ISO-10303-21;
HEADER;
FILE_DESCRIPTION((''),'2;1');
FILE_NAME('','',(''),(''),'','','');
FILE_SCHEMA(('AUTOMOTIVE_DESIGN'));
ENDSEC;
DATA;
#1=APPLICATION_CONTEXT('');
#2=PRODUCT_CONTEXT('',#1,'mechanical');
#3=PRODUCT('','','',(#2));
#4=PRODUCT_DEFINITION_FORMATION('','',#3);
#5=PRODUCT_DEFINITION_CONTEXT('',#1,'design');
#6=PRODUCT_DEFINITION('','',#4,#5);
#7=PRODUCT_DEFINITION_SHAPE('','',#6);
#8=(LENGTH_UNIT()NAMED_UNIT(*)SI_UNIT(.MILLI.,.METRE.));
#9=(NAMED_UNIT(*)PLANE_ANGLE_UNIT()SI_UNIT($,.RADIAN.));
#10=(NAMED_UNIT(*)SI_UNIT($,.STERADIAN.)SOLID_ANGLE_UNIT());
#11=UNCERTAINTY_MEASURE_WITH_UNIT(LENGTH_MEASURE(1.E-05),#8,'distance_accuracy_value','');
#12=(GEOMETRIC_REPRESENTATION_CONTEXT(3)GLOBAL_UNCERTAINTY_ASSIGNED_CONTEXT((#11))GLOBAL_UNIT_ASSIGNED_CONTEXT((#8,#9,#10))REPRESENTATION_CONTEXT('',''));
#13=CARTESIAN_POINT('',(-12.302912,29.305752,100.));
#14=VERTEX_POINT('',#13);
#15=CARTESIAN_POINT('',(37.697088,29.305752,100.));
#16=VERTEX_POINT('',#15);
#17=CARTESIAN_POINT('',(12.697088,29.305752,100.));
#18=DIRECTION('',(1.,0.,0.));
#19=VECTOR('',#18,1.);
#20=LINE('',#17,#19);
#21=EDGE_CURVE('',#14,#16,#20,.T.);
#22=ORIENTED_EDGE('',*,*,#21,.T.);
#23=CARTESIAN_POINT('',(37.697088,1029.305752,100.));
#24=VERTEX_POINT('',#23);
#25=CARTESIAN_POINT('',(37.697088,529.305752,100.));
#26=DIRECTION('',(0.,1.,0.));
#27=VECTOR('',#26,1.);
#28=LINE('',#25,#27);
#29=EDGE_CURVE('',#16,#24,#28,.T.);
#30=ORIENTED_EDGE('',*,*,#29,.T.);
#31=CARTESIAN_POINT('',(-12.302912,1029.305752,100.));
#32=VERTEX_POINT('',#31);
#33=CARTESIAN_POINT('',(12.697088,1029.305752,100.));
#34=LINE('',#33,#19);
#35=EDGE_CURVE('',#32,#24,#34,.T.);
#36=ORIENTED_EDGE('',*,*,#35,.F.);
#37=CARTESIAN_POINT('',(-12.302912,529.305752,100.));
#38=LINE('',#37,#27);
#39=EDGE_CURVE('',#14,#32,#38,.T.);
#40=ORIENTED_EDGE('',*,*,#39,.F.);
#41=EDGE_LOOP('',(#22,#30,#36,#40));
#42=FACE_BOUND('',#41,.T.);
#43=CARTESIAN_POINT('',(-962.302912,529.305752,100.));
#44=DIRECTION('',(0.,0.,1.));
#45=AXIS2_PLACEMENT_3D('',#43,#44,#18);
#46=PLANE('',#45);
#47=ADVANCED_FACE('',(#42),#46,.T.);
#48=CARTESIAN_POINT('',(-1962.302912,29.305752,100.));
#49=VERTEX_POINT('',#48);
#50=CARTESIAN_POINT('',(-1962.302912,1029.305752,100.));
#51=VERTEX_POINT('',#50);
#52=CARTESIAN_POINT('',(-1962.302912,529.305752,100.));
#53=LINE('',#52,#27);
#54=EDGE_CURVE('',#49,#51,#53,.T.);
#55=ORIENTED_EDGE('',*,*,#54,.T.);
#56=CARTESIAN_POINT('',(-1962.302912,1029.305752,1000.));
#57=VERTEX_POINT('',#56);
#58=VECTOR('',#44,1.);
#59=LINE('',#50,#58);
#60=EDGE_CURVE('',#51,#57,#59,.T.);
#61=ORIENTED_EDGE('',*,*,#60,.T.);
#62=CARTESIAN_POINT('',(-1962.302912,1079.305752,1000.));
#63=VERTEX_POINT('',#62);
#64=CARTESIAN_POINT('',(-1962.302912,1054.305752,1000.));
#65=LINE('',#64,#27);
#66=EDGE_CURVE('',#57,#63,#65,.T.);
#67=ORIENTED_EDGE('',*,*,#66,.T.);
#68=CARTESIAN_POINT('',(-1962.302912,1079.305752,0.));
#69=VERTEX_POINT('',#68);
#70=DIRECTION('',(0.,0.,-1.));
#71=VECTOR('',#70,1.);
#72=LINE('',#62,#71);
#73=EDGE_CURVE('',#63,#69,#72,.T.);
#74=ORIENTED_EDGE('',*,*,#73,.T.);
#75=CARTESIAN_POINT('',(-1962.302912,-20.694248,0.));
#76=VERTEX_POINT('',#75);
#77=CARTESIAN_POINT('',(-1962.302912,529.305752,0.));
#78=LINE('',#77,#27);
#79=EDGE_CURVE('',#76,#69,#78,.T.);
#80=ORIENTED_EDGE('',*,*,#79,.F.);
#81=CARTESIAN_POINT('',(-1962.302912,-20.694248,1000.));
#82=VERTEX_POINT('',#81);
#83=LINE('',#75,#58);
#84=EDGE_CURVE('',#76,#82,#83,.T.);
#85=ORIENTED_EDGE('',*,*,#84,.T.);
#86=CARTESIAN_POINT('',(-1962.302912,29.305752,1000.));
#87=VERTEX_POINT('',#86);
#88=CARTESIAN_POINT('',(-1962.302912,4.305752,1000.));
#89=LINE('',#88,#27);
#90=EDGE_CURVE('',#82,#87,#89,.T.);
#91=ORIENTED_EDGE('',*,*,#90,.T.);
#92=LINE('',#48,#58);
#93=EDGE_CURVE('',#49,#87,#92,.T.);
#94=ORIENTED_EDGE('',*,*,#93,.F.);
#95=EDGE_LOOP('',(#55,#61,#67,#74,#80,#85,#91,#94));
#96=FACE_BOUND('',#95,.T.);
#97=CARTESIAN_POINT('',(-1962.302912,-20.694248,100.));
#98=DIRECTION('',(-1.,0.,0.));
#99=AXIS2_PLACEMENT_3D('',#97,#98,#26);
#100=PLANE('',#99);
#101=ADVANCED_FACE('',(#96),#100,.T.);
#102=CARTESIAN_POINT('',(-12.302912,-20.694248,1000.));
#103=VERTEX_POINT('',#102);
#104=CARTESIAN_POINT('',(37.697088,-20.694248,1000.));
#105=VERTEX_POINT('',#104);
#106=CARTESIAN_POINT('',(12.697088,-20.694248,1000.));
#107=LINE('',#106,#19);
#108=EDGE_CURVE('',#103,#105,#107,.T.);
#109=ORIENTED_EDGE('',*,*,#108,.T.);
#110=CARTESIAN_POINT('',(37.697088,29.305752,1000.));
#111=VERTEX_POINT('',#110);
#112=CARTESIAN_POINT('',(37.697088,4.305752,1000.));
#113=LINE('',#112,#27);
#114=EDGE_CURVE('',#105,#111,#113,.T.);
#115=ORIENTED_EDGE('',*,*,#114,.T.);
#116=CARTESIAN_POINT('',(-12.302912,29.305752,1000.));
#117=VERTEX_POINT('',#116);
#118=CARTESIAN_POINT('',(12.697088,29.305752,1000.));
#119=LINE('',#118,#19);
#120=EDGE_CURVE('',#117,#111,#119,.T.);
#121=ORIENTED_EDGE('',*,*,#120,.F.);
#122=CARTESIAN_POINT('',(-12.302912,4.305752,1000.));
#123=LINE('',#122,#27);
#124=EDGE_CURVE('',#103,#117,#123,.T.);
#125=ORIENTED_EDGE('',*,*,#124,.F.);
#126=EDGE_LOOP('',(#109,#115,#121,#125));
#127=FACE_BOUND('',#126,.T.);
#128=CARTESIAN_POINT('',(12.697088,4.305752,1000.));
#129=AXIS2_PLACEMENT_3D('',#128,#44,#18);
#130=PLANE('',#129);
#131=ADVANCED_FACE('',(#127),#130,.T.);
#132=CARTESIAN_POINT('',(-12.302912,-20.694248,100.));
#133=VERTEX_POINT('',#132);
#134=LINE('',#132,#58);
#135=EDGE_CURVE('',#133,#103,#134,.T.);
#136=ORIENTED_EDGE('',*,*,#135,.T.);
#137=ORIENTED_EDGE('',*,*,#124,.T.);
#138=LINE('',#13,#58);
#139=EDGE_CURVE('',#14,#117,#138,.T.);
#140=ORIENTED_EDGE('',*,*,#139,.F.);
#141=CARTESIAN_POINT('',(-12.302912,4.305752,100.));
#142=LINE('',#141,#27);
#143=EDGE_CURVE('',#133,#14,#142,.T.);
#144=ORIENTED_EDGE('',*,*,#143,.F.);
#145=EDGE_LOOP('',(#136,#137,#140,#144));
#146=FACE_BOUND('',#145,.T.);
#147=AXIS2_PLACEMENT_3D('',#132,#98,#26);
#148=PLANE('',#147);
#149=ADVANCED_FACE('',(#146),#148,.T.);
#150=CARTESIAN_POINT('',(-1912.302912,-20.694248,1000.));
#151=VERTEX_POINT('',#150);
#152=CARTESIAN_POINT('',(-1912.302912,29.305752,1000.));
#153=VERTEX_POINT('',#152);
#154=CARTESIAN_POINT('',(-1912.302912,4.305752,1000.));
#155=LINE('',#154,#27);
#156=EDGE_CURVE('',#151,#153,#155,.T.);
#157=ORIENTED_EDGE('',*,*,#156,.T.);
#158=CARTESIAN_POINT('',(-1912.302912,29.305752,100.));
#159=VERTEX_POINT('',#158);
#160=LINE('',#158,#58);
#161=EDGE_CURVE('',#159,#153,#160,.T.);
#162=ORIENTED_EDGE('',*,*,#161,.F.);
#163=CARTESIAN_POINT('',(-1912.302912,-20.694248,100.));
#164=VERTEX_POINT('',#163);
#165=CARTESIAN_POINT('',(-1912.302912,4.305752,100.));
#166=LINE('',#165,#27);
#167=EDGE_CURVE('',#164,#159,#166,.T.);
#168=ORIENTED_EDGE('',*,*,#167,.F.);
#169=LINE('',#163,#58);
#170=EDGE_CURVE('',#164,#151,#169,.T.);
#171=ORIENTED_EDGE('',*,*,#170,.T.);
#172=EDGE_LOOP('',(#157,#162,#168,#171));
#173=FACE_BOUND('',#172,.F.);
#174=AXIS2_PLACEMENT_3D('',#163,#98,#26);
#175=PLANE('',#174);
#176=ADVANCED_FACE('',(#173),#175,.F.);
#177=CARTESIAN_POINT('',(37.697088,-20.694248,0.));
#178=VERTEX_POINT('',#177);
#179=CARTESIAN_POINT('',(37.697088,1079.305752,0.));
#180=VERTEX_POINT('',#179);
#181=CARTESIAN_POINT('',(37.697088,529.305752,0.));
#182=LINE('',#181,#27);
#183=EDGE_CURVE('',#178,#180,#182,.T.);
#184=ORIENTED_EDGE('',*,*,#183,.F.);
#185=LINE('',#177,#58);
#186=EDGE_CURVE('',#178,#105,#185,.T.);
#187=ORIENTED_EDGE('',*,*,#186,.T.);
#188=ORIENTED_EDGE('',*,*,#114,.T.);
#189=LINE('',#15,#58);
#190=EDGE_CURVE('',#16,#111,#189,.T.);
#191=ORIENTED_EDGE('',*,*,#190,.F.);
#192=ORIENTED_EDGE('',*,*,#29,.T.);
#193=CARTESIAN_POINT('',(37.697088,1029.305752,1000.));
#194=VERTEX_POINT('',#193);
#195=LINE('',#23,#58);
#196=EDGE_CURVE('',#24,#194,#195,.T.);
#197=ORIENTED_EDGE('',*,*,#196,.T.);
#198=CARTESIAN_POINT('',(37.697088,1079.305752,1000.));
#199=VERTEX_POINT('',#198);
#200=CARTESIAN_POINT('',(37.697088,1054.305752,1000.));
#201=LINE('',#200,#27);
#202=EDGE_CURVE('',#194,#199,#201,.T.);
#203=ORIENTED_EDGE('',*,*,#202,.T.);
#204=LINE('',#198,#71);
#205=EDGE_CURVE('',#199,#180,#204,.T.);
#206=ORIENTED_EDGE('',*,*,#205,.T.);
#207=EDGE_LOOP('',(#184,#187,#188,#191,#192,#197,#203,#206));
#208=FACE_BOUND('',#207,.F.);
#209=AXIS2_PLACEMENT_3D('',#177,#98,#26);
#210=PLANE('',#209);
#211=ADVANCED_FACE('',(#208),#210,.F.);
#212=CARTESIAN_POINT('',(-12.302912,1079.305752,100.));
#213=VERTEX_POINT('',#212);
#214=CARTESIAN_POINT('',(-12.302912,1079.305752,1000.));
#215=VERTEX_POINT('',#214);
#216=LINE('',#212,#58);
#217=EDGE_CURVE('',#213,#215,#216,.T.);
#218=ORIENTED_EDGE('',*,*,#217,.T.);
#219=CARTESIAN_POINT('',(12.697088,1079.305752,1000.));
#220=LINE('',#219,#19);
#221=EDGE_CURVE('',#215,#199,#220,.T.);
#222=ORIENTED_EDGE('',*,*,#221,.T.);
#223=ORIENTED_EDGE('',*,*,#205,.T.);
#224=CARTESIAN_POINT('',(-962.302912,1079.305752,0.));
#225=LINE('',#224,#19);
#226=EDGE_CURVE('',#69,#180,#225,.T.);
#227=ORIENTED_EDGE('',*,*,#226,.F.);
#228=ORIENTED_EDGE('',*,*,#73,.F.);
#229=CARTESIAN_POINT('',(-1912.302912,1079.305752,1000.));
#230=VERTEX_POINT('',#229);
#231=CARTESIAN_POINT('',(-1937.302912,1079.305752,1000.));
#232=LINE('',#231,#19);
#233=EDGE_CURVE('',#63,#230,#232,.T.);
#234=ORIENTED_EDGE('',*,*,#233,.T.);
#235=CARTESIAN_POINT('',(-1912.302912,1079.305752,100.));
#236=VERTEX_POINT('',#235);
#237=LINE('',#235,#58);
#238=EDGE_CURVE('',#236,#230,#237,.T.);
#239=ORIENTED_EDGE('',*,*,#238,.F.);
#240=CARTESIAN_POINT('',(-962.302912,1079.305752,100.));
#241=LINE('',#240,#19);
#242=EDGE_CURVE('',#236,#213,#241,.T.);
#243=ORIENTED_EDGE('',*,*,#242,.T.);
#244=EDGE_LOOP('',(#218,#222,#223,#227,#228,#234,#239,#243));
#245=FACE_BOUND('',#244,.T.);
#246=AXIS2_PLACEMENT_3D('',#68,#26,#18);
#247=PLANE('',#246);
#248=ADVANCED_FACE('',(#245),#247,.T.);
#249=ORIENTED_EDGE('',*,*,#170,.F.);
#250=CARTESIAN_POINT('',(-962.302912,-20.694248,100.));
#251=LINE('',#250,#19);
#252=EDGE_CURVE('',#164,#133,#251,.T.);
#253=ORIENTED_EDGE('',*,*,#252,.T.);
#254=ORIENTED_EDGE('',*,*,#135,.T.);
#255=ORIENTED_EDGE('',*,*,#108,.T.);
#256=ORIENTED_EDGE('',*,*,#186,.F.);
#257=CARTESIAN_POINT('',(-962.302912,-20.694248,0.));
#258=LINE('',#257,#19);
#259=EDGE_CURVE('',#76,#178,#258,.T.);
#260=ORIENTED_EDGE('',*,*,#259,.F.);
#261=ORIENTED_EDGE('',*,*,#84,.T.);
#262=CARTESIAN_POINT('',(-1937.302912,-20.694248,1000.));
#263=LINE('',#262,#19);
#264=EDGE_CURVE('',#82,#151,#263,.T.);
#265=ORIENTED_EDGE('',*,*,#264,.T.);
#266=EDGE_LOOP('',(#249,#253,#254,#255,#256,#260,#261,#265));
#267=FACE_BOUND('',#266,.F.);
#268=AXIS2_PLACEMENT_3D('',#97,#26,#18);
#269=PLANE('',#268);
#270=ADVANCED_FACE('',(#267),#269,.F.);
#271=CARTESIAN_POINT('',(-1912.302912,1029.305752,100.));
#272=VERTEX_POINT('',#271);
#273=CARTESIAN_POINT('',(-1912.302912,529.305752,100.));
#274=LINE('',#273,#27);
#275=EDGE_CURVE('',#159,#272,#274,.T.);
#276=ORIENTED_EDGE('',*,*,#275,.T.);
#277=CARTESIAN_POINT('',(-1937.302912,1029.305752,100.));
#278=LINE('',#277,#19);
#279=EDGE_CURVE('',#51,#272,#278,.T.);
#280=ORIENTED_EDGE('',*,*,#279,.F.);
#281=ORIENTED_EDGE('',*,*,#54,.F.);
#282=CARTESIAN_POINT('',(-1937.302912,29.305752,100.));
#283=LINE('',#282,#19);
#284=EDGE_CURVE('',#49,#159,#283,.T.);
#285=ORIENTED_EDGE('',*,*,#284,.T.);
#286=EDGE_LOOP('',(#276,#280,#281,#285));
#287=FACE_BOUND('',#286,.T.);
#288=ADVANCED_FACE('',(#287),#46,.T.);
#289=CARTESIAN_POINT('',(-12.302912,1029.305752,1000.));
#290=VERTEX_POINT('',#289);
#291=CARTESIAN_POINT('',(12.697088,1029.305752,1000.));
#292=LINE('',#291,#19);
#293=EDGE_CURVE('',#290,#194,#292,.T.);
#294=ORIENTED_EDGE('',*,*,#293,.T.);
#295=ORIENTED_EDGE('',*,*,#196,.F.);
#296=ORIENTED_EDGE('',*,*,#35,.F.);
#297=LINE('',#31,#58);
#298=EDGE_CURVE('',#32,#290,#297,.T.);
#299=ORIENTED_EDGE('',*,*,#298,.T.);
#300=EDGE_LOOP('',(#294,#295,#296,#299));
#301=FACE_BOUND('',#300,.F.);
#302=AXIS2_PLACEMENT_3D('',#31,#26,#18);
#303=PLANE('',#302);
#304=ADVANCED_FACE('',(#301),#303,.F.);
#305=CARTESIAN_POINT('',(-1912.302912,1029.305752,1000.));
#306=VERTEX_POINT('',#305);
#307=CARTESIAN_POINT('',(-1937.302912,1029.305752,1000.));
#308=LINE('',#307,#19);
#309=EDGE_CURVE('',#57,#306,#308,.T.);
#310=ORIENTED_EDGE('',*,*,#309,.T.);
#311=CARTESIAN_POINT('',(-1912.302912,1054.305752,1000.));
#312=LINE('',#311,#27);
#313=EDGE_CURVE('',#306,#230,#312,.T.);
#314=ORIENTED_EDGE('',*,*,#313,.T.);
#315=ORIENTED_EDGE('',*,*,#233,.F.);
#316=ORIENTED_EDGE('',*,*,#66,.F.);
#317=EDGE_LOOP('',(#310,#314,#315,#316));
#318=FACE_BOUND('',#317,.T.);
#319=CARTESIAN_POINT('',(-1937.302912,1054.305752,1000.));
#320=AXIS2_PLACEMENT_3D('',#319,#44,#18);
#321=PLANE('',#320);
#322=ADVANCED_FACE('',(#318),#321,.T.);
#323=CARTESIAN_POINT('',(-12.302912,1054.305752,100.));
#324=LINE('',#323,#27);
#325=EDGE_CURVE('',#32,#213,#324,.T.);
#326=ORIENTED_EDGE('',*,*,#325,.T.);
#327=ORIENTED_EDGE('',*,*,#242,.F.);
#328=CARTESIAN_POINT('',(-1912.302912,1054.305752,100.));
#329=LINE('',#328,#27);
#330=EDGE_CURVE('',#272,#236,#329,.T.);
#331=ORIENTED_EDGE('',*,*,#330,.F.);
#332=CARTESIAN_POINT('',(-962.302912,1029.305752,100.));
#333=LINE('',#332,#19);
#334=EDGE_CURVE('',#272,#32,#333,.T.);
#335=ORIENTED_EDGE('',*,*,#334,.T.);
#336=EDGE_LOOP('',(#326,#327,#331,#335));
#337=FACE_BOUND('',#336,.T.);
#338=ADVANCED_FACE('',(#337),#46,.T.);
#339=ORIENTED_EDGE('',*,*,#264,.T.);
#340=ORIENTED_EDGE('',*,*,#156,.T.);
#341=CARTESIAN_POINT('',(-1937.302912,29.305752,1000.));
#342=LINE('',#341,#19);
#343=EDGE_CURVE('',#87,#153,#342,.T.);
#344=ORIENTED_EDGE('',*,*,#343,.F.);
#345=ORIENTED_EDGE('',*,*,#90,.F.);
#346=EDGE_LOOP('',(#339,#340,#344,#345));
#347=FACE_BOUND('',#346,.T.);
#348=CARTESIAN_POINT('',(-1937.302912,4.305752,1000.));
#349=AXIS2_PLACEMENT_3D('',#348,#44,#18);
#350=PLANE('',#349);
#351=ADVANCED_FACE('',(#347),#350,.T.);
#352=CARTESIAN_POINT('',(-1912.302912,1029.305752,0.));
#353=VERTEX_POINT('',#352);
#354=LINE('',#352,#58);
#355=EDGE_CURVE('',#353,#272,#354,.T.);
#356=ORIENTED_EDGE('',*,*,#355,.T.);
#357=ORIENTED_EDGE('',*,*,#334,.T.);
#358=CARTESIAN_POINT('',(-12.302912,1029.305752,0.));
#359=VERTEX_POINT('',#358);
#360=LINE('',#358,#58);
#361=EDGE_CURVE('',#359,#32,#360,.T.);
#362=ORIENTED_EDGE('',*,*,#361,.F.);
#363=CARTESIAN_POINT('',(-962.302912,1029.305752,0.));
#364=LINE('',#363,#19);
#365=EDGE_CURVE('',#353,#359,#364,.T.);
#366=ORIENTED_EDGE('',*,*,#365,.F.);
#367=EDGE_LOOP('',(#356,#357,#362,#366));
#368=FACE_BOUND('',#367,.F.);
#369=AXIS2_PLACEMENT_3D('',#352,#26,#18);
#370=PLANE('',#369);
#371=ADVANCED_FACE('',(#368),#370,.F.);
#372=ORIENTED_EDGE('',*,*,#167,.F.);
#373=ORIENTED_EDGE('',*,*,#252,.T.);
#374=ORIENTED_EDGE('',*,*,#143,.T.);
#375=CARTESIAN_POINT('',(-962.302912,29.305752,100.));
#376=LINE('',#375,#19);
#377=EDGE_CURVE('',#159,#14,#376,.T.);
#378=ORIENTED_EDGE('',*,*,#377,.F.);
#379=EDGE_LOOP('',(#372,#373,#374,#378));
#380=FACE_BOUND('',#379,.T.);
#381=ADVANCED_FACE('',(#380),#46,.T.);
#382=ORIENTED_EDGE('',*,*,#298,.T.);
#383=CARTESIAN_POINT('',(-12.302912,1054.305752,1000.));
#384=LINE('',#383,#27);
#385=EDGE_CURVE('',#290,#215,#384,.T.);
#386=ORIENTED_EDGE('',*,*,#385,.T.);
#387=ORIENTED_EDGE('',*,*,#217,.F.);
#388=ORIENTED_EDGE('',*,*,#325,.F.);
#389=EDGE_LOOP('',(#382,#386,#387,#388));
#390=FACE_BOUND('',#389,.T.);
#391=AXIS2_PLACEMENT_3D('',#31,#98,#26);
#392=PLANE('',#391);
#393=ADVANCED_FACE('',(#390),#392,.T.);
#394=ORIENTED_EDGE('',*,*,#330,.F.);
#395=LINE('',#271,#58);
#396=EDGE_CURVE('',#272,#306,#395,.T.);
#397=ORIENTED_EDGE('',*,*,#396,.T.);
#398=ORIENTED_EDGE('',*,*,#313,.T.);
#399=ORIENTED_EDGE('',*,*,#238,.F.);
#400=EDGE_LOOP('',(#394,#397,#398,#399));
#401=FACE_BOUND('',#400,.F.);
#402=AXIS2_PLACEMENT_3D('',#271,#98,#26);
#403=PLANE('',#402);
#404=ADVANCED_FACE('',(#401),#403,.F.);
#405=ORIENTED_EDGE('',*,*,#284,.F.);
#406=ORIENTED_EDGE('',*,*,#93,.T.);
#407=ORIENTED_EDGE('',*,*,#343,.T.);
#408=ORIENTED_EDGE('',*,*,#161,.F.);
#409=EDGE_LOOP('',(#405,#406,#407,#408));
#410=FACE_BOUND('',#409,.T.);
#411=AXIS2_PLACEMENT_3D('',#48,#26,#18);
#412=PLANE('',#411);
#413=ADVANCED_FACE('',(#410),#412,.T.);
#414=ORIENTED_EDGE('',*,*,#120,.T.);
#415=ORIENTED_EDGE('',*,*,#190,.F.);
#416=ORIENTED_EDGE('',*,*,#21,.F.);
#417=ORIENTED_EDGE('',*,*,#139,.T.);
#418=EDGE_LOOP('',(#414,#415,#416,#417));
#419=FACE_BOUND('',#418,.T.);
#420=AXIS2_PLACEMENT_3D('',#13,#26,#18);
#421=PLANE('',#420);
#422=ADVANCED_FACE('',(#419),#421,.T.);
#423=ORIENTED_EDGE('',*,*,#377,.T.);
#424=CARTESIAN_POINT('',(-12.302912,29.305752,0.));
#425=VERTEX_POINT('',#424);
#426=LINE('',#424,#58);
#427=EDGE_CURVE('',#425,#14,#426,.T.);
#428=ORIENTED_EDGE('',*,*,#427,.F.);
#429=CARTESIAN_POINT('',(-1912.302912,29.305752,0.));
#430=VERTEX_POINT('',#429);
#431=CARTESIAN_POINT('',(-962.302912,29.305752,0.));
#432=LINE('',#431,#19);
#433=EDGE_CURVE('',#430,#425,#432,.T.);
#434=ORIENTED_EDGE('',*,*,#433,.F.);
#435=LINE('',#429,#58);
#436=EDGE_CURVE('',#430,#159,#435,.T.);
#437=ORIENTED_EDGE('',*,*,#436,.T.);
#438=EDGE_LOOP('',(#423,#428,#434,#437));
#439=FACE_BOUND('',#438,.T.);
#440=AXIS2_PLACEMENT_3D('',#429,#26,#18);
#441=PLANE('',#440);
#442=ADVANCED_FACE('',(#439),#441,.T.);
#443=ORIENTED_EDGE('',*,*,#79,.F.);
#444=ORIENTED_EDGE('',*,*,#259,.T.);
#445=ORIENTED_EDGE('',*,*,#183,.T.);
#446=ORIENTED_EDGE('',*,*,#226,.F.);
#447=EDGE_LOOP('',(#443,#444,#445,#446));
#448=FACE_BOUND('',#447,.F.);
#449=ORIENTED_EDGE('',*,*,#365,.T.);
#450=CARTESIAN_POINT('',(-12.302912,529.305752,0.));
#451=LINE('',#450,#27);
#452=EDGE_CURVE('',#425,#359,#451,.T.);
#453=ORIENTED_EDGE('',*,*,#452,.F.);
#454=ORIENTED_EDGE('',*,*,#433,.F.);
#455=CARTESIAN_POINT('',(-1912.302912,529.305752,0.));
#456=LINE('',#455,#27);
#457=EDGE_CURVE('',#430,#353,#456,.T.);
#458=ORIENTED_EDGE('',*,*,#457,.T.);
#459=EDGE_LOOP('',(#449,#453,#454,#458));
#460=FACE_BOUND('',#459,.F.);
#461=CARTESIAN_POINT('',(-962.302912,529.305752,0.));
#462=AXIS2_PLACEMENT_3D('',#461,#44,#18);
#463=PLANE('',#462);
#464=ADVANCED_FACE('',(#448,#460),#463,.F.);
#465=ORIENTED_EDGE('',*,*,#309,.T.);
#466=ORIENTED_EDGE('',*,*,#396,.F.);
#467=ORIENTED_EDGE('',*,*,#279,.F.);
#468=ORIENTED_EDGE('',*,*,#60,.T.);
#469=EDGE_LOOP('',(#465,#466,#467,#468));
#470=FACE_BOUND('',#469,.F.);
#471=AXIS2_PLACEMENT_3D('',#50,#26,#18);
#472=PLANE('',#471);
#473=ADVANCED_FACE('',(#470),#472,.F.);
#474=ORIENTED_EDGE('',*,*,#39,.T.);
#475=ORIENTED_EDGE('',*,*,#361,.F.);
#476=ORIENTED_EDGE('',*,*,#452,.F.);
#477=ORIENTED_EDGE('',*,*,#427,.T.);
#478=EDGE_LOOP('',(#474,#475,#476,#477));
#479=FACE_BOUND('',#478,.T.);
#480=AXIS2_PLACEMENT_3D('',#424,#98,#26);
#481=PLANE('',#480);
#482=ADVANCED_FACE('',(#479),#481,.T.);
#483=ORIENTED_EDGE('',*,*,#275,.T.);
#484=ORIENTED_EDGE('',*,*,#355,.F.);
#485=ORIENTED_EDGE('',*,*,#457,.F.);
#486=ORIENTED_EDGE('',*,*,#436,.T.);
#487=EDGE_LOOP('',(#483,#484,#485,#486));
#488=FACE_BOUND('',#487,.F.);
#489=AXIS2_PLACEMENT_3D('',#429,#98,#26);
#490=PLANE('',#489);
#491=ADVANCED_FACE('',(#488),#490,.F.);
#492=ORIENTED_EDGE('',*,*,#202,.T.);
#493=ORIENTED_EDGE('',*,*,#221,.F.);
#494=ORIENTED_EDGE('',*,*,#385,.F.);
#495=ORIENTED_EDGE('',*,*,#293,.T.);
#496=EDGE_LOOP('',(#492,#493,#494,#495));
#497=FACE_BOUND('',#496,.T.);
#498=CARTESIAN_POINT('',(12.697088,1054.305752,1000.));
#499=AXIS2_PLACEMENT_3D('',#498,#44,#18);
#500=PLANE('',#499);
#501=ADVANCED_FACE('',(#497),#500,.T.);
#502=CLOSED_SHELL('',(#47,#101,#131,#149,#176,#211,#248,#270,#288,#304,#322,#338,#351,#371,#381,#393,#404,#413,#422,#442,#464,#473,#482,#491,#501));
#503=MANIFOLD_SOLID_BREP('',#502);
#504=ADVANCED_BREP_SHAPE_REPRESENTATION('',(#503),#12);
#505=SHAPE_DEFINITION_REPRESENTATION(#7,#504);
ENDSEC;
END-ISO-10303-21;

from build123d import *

# Parameters (mm, degrees)
F0_W     = 2000
F0_H     = 1100
F0_W_2   = 1900
F0_H_2   = 1000
F1_DEPTH = 100
F2_W     = 50
F2_H     = 50
F3_DEPTH = 900


with BuildPart() as f1:
    # F0 (on Top) → F1 (new body)
    with BuildSketch(Plane.XY):
        with Locations((-962.302912, 529.305752)):
            Rectangle(F0_W, F0_H)
        with Locations((-962.302912, 529.305752)):
            Rectangle(F0_W_2, F0_H_2, mode=Mode.SUBTRACT)
    extrude(amount=F1_DEPTH)

    # F2 (on face) → F3 (join)
    with BuildSketch(Plane.XY.offset(100)):
        with Locations((-1937.302912, 4.305752)):
            Rectangle(F2_W, F2_H)
        with Locations((12.697088, 4.305752)):
            Rectangle(F2_W, F2_H)
        with Locations((12.697088, 1054.305752)):
            Rectangle(F2_W, F2_H)
        with Locations((-1937.302912, 1054.305752)):
            Rectangle(F2_W, F2_H)
    extrude(amount=F3_DEPTH)


solid = f1.part
